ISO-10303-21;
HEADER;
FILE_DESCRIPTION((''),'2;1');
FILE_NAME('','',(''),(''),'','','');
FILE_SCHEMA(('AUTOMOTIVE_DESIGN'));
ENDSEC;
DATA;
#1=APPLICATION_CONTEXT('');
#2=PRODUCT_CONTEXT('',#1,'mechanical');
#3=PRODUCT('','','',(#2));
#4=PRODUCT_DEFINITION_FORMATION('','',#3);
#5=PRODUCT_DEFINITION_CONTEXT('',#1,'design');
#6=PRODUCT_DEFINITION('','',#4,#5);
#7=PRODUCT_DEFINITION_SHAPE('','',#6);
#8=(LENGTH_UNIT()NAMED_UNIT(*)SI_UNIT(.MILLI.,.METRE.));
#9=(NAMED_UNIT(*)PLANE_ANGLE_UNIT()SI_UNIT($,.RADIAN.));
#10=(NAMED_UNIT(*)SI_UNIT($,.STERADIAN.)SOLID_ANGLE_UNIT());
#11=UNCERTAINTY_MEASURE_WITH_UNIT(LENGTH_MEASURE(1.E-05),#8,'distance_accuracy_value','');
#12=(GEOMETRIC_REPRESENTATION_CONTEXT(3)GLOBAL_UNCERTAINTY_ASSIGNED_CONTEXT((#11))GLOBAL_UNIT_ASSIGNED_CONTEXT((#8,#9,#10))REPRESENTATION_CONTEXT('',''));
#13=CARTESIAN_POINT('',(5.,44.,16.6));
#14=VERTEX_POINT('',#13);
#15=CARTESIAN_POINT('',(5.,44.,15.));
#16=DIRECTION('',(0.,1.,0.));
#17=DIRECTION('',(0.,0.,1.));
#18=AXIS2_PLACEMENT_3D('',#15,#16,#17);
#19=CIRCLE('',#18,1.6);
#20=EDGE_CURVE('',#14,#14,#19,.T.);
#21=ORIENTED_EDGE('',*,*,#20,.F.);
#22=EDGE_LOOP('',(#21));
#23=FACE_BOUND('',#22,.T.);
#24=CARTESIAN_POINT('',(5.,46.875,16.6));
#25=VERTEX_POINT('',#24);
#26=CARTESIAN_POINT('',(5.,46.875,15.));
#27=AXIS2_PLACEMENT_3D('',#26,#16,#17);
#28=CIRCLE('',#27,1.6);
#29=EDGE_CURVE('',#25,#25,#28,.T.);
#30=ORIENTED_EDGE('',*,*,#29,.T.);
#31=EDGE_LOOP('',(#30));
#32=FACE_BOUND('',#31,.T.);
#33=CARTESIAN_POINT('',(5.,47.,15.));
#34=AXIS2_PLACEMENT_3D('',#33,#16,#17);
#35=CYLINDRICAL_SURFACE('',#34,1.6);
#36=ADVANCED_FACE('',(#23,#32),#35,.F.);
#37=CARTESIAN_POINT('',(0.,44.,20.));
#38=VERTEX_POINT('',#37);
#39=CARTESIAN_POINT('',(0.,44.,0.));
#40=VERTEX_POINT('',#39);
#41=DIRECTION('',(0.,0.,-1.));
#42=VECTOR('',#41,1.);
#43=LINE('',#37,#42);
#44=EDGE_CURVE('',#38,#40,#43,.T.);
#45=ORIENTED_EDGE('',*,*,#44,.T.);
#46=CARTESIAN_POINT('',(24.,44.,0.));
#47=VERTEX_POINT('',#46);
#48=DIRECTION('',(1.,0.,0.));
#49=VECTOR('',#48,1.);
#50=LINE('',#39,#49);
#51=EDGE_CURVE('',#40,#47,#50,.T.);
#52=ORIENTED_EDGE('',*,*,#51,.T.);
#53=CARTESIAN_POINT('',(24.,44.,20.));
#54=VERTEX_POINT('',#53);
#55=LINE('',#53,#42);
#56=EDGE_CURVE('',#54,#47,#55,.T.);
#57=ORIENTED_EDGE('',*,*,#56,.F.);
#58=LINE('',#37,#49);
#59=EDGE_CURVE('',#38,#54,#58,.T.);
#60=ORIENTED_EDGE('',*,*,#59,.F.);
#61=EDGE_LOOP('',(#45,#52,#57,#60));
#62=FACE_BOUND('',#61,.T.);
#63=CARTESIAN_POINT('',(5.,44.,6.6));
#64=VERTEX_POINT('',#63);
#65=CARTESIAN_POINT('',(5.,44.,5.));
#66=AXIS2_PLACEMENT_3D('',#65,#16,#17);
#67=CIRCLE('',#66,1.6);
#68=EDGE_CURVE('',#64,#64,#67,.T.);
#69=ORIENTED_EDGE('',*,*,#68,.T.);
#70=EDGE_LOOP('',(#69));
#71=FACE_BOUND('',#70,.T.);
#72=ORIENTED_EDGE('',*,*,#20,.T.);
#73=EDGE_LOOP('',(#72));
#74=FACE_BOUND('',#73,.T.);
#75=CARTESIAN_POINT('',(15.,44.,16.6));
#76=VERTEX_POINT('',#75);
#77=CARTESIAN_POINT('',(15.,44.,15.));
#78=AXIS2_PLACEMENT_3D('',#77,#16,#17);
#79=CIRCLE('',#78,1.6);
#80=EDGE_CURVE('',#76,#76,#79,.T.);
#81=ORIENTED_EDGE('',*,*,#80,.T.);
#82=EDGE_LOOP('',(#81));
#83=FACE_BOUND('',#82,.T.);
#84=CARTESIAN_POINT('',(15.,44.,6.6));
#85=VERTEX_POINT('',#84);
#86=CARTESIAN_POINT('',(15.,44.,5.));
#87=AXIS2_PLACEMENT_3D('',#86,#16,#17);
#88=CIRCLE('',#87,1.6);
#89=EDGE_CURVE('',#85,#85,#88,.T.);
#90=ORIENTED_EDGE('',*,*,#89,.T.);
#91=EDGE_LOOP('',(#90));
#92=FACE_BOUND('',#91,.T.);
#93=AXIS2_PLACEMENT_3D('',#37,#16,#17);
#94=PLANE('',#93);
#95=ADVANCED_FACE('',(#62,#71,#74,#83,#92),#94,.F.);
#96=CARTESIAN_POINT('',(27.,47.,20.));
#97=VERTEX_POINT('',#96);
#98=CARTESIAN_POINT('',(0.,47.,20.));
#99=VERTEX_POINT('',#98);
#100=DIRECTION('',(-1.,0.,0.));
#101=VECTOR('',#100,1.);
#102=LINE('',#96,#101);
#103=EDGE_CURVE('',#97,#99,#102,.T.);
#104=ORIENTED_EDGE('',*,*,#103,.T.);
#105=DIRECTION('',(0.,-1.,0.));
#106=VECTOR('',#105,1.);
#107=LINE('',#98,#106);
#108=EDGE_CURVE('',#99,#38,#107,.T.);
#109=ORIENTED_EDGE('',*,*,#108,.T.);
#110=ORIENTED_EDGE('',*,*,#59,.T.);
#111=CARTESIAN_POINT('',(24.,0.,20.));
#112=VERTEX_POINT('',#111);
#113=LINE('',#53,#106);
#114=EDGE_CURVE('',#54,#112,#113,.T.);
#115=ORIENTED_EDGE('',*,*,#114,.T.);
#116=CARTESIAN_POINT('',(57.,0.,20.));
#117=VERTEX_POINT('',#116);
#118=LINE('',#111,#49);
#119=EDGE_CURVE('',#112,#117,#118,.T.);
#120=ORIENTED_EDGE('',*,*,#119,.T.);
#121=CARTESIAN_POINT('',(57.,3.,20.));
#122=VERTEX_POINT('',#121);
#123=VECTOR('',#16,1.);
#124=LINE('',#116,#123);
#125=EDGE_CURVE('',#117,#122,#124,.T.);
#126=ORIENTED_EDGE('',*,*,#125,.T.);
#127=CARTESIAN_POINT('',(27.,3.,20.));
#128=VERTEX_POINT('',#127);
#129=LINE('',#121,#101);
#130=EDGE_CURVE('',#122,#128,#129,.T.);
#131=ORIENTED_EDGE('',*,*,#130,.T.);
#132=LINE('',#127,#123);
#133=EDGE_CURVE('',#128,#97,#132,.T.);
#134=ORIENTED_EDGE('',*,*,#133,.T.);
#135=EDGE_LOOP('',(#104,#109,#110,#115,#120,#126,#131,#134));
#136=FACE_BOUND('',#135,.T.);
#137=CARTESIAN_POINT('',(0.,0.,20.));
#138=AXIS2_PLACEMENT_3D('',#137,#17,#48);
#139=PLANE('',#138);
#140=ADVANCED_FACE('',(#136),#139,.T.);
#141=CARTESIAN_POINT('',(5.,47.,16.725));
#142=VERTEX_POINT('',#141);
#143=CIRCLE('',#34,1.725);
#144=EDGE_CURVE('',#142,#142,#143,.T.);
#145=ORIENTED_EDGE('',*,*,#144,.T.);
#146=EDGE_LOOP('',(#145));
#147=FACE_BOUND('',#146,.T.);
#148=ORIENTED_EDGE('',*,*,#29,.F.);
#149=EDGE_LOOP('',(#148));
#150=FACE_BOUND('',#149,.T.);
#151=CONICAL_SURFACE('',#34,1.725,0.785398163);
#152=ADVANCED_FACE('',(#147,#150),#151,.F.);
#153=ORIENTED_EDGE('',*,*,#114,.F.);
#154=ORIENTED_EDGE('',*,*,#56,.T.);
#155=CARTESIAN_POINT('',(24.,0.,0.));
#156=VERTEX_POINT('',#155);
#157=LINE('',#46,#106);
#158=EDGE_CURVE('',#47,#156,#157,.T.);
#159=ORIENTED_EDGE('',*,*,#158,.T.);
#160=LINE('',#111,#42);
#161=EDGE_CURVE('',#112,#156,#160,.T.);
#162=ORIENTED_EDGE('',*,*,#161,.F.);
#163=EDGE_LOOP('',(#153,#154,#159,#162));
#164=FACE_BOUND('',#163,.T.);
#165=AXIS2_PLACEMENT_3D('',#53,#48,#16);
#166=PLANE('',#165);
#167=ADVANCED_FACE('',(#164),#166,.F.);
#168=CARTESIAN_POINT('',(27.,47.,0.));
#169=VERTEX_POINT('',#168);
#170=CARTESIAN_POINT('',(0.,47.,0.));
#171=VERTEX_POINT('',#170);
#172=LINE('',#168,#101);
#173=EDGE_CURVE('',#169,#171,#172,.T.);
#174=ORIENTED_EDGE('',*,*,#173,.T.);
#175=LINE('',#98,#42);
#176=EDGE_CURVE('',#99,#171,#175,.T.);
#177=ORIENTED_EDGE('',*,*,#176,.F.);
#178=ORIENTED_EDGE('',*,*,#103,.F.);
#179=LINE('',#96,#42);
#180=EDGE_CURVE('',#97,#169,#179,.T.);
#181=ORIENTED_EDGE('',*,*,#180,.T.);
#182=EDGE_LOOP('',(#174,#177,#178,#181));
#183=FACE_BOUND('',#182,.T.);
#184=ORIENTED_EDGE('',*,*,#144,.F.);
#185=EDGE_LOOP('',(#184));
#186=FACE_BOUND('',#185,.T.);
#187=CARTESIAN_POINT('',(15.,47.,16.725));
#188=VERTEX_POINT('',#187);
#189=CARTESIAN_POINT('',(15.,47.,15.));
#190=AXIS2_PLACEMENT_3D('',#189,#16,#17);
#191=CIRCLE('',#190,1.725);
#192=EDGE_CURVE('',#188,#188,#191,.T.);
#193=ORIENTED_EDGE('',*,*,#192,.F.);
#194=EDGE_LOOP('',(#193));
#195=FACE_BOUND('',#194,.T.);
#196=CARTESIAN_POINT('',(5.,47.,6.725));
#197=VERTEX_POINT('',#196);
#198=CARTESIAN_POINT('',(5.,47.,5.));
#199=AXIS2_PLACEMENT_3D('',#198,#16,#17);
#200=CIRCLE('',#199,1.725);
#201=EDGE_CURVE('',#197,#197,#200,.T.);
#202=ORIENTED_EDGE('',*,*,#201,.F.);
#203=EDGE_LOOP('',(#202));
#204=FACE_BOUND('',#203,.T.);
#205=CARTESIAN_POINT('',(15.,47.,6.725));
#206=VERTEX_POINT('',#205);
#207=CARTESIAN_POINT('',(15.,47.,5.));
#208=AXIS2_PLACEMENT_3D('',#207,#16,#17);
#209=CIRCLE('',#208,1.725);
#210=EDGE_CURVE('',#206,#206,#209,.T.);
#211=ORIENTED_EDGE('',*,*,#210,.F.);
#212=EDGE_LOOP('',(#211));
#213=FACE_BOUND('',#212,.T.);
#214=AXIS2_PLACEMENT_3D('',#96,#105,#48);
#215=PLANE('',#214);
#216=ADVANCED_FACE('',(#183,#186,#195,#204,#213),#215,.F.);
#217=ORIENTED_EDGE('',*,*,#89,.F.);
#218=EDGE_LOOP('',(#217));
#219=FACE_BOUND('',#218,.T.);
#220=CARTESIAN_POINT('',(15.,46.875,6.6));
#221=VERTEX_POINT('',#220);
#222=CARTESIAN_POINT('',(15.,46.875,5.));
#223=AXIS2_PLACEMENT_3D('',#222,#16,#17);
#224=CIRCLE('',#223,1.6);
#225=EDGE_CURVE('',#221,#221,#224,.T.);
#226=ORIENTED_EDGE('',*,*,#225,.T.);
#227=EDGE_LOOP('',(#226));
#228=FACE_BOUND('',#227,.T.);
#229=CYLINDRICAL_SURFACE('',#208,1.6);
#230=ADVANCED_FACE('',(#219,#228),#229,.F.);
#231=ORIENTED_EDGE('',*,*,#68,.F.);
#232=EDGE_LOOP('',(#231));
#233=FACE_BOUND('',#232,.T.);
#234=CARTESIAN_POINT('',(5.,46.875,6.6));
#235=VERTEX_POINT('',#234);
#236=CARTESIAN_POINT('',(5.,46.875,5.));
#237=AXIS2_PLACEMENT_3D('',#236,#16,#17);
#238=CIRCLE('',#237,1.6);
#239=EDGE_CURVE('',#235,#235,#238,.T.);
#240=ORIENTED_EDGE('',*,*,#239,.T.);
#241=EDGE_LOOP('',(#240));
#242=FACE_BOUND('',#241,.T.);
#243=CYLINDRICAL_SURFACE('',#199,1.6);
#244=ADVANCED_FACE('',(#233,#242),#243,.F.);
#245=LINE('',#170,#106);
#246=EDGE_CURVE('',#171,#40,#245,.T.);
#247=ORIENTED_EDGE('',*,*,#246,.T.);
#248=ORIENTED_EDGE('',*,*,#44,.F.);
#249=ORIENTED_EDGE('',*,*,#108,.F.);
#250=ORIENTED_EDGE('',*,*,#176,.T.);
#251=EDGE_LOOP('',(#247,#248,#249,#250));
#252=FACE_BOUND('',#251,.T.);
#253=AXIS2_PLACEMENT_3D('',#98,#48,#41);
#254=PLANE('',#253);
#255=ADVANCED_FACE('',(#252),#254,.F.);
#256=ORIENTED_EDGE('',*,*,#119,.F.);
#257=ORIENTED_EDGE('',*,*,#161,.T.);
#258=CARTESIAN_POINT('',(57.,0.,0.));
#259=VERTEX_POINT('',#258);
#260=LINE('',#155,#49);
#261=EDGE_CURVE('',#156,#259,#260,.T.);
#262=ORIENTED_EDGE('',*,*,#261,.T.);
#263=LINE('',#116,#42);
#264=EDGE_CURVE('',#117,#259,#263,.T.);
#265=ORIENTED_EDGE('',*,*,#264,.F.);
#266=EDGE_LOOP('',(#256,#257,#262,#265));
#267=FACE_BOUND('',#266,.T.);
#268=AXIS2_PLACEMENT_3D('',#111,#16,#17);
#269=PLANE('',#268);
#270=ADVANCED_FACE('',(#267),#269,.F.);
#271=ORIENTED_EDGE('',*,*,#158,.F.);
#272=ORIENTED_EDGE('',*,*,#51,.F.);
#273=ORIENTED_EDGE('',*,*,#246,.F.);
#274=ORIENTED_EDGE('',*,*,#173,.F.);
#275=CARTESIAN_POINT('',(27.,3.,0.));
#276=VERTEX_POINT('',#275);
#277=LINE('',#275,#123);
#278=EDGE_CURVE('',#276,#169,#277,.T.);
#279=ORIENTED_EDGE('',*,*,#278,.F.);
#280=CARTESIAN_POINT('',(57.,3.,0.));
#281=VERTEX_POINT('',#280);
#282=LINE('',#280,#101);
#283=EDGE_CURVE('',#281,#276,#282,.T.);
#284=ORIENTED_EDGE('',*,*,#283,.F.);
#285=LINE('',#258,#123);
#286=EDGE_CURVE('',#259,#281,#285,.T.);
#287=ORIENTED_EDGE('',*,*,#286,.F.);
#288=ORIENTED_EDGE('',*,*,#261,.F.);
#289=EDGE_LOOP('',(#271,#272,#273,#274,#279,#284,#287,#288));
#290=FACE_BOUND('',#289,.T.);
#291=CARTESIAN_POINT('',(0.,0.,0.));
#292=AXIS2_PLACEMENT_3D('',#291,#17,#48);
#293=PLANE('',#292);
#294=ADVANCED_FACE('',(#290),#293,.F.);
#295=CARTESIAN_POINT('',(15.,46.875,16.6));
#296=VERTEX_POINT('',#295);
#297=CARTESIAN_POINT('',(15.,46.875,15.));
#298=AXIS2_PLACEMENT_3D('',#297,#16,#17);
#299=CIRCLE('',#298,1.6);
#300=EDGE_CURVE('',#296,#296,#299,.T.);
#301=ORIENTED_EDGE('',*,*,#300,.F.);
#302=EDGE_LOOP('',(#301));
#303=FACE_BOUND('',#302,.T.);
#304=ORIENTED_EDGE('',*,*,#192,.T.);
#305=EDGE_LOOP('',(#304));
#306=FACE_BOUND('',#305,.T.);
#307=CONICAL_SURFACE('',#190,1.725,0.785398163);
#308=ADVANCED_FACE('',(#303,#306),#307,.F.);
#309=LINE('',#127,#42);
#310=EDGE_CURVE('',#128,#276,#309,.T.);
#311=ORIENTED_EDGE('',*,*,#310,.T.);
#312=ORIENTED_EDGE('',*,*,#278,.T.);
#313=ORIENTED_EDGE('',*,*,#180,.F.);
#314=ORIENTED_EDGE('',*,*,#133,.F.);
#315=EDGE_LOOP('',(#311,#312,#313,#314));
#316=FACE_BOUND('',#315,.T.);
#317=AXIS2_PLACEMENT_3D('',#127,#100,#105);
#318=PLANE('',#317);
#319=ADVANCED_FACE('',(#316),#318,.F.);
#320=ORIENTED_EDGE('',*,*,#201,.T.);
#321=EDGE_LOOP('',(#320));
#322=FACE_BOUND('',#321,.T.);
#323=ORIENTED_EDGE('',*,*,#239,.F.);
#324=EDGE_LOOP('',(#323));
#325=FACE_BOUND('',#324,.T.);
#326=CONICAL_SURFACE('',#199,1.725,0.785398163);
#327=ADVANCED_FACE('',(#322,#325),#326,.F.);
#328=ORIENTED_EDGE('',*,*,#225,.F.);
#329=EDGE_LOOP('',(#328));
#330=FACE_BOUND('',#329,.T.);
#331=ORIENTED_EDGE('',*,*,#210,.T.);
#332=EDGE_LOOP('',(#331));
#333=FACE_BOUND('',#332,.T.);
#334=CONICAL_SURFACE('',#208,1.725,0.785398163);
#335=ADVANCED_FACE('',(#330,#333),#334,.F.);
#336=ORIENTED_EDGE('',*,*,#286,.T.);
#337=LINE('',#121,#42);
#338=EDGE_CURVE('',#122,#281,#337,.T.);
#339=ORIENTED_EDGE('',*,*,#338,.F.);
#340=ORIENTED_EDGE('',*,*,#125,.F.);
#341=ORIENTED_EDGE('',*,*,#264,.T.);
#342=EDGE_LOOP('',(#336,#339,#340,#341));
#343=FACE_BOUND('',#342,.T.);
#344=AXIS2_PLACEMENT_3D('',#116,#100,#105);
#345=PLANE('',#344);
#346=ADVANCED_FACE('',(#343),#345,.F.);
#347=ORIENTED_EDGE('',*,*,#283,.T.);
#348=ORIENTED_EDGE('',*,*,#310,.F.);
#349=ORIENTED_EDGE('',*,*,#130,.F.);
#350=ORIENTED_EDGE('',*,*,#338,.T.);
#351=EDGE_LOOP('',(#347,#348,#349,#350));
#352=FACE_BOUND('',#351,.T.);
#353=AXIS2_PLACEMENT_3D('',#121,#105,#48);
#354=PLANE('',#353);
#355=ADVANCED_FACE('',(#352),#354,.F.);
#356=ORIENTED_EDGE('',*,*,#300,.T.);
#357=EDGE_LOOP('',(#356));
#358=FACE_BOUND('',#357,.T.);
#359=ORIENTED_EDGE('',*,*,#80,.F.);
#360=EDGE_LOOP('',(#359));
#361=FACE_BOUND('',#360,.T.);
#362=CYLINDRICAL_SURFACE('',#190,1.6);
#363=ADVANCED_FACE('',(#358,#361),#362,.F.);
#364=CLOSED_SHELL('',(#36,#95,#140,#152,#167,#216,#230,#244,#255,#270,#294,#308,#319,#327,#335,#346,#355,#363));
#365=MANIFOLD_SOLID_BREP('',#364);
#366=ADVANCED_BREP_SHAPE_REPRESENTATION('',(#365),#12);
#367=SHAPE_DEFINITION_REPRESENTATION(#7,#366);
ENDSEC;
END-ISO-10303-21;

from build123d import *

# Parameters (mm, degrees)
BOSS_EXTRUDE1_DEPTH            = 20
M3_CLEARANCE_HOLE1_D           = 3.2
M3_CLEARANCE_HOLE1_CSINK_D     = 3.45
M3_CLEARANCE_HOLE1_CSINK_ANGLE = 90


with BuildPart() as part:
    # Sketch1 → Boss-Extrude1 (new body)
    with BuildSketch(Plane.XY):
        Polygon((0, 44), (24, 44), (24, 0), (57, 0), (57, 3), (27, 3), (27, 47), (0, 47), align=None)
    extrude(amount=BOSS_EXTRUDE1_DEPTH)

    # M3 Clearance Hole1 (through all)
    with Locations(Plane(origin=(0, 47, 0), x_dir=(1, 0, 0), z_dir=(0, 1, 0))):
        with Locations((15, -15), (5, -5), (5, -15), (15, -5)):
            CounterSinkHole(M3_CLEARANCE_HOLE1_D / 2, M3_CLEARANCE_HOLE1_CSINK_D / 2, counter_sink_angle=M3_CLEARANCE_HOLE1_CSINK_ANGLE)


solid = part.part
